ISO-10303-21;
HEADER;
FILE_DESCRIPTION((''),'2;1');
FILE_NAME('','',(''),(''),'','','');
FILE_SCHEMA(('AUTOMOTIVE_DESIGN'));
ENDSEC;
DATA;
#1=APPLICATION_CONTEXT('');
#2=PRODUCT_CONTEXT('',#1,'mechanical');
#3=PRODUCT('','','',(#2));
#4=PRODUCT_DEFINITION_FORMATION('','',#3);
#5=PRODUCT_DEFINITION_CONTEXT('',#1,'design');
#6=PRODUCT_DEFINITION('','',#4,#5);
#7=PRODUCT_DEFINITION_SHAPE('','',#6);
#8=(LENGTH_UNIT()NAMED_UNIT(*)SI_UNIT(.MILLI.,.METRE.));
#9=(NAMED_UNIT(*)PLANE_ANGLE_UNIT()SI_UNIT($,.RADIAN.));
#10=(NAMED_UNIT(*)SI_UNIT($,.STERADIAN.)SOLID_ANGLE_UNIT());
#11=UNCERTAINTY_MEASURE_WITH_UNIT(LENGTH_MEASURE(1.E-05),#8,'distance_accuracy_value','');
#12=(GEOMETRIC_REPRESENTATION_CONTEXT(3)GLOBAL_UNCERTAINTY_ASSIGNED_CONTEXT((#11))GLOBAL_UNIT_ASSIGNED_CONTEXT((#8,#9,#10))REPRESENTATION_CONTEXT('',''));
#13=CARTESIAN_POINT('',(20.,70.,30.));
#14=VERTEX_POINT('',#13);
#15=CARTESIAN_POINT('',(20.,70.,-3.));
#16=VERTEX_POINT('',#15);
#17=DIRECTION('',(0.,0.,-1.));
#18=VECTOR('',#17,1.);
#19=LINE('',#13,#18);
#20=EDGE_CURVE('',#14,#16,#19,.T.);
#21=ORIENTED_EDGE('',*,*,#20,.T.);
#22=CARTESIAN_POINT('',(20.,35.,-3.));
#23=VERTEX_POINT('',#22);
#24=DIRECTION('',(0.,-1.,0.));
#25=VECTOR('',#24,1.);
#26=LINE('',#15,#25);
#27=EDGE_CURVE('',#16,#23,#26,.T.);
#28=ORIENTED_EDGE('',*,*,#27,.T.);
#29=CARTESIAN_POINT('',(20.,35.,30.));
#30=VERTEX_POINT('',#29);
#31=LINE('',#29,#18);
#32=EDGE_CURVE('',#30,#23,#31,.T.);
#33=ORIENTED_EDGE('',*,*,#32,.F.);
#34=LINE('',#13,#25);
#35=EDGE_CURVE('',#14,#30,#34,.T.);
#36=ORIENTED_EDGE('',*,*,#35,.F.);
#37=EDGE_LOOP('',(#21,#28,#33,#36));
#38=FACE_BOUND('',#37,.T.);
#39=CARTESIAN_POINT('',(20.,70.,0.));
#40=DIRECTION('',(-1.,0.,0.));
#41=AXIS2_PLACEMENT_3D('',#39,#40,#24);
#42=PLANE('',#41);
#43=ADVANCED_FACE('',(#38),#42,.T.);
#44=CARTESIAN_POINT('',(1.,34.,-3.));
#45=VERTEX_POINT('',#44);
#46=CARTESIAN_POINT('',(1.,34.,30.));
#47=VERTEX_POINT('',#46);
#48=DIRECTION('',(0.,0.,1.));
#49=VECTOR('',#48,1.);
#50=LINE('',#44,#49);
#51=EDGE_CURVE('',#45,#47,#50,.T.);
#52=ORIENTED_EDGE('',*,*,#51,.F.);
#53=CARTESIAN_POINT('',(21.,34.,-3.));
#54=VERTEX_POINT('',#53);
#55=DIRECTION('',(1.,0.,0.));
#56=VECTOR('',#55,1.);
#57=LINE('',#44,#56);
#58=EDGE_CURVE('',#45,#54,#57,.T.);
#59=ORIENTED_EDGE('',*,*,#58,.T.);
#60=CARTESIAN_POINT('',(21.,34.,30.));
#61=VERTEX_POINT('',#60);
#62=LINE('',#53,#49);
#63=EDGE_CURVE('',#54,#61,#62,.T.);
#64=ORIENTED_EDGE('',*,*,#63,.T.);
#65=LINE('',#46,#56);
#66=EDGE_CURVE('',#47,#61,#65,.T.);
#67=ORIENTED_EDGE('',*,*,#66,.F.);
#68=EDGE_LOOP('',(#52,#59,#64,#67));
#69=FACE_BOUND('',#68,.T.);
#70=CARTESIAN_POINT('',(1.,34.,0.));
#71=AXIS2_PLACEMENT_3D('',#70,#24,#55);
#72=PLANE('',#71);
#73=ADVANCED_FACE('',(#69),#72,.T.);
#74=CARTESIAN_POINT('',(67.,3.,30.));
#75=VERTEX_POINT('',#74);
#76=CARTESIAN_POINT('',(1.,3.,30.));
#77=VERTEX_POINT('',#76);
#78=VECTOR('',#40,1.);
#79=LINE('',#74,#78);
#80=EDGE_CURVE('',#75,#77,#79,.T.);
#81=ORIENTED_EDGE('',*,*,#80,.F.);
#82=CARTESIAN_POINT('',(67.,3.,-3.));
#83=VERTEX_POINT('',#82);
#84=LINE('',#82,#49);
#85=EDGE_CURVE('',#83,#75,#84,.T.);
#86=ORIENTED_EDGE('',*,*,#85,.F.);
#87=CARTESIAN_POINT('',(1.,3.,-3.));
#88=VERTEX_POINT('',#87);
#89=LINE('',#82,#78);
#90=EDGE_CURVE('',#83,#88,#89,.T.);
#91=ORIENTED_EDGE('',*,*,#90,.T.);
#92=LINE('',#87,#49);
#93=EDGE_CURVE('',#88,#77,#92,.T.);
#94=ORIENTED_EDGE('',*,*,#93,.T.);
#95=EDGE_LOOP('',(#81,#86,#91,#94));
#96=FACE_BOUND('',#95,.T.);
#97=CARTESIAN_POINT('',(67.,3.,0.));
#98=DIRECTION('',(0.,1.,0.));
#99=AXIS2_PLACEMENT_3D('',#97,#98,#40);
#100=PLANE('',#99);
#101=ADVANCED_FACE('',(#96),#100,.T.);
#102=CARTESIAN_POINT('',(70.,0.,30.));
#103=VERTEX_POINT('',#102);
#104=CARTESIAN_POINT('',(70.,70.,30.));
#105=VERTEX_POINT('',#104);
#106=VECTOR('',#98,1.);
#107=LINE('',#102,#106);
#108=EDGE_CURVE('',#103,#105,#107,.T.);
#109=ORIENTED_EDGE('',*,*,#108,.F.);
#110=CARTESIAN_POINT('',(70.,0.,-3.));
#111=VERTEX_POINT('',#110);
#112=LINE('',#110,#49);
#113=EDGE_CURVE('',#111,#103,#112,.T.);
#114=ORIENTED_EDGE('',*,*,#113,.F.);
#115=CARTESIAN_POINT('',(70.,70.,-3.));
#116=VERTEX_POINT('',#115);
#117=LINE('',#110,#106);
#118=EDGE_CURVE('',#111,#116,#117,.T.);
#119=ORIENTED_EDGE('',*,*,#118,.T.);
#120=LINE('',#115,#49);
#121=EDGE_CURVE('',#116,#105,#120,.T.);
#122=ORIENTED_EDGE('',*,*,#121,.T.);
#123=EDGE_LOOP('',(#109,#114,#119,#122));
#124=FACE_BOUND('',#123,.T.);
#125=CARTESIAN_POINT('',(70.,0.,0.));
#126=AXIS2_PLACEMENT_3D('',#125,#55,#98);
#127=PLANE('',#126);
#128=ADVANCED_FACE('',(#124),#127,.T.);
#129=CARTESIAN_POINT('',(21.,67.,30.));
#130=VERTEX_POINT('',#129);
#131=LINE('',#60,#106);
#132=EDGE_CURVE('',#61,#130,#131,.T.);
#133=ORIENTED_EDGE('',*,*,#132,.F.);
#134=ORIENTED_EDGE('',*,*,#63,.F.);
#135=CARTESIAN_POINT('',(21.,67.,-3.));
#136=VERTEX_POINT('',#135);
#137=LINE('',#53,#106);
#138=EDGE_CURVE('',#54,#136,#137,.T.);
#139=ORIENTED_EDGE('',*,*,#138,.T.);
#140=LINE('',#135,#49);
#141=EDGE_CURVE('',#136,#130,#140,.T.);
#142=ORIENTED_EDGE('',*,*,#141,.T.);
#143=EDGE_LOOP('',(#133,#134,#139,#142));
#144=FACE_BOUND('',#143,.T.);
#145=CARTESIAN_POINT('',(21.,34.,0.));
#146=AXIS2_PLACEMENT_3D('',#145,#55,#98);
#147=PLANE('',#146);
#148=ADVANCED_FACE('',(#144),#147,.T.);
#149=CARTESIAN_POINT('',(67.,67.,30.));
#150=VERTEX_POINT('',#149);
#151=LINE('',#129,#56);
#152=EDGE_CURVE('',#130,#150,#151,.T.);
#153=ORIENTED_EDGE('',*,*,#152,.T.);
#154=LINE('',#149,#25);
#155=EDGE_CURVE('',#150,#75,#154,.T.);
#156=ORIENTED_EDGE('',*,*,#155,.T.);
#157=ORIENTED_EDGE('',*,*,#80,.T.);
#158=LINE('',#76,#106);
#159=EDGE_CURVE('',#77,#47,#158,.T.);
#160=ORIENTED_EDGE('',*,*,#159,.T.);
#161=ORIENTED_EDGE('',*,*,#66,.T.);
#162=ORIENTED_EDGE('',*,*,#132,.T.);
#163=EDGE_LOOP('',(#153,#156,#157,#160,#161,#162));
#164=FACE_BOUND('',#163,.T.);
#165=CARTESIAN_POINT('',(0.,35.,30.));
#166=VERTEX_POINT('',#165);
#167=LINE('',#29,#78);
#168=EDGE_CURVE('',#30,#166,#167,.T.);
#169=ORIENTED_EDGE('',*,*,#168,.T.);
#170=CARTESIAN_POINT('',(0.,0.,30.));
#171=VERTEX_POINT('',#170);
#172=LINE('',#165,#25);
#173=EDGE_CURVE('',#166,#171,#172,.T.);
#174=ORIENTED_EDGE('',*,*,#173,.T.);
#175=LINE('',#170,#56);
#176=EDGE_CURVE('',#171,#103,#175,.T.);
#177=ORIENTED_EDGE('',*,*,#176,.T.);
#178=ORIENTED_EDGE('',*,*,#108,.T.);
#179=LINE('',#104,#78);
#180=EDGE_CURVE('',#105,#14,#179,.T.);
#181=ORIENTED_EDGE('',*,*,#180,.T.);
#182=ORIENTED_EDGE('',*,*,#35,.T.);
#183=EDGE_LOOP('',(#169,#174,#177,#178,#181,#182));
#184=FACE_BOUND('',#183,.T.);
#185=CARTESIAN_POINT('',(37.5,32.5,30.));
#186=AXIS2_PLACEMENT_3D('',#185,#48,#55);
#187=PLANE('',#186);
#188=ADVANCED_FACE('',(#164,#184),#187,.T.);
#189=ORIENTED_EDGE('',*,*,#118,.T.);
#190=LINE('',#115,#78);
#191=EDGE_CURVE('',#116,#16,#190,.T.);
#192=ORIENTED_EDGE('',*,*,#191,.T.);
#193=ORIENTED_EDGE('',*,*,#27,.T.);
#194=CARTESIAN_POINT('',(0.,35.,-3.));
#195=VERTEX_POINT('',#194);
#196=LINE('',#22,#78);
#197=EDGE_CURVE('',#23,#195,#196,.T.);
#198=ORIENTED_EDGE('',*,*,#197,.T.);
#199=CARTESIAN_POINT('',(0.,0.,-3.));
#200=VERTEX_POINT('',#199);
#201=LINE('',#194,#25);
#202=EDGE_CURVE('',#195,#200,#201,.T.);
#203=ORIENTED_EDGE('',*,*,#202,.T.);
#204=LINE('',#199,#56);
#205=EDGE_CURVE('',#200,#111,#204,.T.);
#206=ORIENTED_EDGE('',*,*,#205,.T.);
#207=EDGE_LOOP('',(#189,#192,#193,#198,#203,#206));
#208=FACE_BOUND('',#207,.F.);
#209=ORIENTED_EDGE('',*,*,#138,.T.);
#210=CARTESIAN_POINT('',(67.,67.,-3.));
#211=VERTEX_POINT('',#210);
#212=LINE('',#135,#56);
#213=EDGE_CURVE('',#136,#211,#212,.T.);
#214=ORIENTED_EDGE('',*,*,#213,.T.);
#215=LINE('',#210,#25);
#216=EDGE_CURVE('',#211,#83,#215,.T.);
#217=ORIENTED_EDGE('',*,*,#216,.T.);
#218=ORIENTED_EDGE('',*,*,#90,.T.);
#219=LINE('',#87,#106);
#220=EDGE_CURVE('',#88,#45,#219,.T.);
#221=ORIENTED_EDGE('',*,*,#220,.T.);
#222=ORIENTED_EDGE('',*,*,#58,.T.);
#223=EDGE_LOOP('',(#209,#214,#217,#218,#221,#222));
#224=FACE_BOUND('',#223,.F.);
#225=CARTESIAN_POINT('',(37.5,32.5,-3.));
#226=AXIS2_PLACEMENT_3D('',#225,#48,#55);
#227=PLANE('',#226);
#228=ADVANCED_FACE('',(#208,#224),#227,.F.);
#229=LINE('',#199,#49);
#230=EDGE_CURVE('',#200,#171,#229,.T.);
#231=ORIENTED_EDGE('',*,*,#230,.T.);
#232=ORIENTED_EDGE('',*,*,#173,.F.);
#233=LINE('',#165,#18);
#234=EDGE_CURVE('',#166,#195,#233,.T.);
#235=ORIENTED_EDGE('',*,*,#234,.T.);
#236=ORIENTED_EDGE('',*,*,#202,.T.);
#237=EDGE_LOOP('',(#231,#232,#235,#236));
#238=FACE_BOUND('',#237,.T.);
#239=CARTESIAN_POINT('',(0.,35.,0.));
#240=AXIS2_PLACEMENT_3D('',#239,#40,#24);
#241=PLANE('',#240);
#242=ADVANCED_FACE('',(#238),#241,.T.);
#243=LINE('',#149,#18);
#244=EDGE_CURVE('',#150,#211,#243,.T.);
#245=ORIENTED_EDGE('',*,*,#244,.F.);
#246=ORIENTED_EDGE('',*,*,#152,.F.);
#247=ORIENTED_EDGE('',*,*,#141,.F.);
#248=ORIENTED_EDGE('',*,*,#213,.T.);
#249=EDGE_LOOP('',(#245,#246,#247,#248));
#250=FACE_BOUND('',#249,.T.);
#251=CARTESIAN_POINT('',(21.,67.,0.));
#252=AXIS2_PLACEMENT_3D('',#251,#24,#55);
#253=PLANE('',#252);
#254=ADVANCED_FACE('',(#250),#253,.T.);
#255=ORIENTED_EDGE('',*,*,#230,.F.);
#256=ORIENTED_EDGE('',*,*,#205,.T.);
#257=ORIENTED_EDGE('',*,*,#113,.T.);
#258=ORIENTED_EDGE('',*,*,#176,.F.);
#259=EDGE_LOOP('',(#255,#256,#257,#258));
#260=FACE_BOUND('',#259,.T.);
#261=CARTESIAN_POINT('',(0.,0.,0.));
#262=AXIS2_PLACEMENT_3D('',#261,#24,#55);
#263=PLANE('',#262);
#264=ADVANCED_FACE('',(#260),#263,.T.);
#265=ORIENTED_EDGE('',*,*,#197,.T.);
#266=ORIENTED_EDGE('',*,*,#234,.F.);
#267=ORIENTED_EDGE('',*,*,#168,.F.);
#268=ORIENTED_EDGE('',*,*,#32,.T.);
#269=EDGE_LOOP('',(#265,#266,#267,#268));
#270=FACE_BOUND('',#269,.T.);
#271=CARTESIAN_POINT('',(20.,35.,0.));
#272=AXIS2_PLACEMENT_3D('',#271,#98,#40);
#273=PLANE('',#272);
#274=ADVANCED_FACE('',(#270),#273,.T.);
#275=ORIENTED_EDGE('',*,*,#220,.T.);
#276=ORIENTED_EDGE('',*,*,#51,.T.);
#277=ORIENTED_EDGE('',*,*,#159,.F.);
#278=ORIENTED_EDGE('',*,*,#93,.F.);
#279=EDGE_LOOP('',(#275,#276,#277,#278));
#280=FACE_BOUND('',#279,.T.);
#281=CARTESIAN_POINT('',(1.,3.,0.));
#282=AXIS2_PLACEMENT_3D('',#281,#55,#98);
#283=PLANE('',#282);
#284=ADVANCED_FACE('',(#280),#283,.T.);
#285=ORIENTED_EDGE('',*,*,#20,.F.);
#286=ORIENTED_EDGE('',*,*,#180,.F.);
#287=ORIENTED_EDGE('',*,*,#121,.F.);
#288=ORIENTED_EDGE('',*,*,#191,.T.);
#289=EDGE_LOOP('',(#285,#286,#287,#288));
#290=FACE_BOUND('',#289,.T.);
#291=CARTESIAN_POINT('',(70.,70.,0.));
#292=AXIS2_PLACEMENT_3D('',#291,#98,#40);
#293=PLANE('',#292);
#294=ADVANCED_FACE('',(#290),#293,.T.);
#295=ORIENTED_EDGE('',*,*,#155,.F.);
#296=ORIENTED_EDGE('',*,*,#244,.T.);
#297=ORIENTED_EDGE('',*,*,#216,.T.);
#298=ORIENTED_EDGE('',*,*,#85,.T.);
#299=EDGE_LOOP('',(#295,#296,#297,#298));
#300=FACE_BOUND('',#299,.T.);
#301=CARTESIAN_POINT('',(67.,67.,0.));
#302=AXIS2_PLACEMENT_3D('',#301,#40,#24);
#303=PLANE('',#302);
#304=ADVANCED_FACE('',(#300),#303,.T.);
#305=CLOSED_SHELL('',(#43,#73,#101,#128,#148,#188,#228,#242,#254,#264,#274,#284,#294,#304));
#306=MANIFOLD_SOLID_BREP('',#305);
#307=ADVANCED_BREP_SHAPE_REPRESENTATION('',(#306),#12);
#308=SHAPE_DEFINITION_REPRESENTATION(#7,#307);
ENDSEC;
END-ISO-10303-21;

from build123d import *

# Parameters (mm, degrees)
F1_DEPTH      = 30
F1_DEPTH_BACK = 3


with BuildPart() as f1:
    # F0 (on Top) → F1 (new body, two sides)
    with BuildSketch(Plane.XY) as f1_sk:
        Polygon((0, 35), (0, 0), (3, 0), (70, 0), (70, 70), (20, 70), (20, 35), align=None)
        Polygon((67, 3), (3, 3), (1, 3), (1, 34), (21, 34), (21, 67), (67, 67), align=None, mode=Mode.SUBTRACT)
    extrude(amount=F1_DEPTH)
    extrude(f1_sk.sketch, amount=-F1_DEPTH_BACK)


solid = f1.part
